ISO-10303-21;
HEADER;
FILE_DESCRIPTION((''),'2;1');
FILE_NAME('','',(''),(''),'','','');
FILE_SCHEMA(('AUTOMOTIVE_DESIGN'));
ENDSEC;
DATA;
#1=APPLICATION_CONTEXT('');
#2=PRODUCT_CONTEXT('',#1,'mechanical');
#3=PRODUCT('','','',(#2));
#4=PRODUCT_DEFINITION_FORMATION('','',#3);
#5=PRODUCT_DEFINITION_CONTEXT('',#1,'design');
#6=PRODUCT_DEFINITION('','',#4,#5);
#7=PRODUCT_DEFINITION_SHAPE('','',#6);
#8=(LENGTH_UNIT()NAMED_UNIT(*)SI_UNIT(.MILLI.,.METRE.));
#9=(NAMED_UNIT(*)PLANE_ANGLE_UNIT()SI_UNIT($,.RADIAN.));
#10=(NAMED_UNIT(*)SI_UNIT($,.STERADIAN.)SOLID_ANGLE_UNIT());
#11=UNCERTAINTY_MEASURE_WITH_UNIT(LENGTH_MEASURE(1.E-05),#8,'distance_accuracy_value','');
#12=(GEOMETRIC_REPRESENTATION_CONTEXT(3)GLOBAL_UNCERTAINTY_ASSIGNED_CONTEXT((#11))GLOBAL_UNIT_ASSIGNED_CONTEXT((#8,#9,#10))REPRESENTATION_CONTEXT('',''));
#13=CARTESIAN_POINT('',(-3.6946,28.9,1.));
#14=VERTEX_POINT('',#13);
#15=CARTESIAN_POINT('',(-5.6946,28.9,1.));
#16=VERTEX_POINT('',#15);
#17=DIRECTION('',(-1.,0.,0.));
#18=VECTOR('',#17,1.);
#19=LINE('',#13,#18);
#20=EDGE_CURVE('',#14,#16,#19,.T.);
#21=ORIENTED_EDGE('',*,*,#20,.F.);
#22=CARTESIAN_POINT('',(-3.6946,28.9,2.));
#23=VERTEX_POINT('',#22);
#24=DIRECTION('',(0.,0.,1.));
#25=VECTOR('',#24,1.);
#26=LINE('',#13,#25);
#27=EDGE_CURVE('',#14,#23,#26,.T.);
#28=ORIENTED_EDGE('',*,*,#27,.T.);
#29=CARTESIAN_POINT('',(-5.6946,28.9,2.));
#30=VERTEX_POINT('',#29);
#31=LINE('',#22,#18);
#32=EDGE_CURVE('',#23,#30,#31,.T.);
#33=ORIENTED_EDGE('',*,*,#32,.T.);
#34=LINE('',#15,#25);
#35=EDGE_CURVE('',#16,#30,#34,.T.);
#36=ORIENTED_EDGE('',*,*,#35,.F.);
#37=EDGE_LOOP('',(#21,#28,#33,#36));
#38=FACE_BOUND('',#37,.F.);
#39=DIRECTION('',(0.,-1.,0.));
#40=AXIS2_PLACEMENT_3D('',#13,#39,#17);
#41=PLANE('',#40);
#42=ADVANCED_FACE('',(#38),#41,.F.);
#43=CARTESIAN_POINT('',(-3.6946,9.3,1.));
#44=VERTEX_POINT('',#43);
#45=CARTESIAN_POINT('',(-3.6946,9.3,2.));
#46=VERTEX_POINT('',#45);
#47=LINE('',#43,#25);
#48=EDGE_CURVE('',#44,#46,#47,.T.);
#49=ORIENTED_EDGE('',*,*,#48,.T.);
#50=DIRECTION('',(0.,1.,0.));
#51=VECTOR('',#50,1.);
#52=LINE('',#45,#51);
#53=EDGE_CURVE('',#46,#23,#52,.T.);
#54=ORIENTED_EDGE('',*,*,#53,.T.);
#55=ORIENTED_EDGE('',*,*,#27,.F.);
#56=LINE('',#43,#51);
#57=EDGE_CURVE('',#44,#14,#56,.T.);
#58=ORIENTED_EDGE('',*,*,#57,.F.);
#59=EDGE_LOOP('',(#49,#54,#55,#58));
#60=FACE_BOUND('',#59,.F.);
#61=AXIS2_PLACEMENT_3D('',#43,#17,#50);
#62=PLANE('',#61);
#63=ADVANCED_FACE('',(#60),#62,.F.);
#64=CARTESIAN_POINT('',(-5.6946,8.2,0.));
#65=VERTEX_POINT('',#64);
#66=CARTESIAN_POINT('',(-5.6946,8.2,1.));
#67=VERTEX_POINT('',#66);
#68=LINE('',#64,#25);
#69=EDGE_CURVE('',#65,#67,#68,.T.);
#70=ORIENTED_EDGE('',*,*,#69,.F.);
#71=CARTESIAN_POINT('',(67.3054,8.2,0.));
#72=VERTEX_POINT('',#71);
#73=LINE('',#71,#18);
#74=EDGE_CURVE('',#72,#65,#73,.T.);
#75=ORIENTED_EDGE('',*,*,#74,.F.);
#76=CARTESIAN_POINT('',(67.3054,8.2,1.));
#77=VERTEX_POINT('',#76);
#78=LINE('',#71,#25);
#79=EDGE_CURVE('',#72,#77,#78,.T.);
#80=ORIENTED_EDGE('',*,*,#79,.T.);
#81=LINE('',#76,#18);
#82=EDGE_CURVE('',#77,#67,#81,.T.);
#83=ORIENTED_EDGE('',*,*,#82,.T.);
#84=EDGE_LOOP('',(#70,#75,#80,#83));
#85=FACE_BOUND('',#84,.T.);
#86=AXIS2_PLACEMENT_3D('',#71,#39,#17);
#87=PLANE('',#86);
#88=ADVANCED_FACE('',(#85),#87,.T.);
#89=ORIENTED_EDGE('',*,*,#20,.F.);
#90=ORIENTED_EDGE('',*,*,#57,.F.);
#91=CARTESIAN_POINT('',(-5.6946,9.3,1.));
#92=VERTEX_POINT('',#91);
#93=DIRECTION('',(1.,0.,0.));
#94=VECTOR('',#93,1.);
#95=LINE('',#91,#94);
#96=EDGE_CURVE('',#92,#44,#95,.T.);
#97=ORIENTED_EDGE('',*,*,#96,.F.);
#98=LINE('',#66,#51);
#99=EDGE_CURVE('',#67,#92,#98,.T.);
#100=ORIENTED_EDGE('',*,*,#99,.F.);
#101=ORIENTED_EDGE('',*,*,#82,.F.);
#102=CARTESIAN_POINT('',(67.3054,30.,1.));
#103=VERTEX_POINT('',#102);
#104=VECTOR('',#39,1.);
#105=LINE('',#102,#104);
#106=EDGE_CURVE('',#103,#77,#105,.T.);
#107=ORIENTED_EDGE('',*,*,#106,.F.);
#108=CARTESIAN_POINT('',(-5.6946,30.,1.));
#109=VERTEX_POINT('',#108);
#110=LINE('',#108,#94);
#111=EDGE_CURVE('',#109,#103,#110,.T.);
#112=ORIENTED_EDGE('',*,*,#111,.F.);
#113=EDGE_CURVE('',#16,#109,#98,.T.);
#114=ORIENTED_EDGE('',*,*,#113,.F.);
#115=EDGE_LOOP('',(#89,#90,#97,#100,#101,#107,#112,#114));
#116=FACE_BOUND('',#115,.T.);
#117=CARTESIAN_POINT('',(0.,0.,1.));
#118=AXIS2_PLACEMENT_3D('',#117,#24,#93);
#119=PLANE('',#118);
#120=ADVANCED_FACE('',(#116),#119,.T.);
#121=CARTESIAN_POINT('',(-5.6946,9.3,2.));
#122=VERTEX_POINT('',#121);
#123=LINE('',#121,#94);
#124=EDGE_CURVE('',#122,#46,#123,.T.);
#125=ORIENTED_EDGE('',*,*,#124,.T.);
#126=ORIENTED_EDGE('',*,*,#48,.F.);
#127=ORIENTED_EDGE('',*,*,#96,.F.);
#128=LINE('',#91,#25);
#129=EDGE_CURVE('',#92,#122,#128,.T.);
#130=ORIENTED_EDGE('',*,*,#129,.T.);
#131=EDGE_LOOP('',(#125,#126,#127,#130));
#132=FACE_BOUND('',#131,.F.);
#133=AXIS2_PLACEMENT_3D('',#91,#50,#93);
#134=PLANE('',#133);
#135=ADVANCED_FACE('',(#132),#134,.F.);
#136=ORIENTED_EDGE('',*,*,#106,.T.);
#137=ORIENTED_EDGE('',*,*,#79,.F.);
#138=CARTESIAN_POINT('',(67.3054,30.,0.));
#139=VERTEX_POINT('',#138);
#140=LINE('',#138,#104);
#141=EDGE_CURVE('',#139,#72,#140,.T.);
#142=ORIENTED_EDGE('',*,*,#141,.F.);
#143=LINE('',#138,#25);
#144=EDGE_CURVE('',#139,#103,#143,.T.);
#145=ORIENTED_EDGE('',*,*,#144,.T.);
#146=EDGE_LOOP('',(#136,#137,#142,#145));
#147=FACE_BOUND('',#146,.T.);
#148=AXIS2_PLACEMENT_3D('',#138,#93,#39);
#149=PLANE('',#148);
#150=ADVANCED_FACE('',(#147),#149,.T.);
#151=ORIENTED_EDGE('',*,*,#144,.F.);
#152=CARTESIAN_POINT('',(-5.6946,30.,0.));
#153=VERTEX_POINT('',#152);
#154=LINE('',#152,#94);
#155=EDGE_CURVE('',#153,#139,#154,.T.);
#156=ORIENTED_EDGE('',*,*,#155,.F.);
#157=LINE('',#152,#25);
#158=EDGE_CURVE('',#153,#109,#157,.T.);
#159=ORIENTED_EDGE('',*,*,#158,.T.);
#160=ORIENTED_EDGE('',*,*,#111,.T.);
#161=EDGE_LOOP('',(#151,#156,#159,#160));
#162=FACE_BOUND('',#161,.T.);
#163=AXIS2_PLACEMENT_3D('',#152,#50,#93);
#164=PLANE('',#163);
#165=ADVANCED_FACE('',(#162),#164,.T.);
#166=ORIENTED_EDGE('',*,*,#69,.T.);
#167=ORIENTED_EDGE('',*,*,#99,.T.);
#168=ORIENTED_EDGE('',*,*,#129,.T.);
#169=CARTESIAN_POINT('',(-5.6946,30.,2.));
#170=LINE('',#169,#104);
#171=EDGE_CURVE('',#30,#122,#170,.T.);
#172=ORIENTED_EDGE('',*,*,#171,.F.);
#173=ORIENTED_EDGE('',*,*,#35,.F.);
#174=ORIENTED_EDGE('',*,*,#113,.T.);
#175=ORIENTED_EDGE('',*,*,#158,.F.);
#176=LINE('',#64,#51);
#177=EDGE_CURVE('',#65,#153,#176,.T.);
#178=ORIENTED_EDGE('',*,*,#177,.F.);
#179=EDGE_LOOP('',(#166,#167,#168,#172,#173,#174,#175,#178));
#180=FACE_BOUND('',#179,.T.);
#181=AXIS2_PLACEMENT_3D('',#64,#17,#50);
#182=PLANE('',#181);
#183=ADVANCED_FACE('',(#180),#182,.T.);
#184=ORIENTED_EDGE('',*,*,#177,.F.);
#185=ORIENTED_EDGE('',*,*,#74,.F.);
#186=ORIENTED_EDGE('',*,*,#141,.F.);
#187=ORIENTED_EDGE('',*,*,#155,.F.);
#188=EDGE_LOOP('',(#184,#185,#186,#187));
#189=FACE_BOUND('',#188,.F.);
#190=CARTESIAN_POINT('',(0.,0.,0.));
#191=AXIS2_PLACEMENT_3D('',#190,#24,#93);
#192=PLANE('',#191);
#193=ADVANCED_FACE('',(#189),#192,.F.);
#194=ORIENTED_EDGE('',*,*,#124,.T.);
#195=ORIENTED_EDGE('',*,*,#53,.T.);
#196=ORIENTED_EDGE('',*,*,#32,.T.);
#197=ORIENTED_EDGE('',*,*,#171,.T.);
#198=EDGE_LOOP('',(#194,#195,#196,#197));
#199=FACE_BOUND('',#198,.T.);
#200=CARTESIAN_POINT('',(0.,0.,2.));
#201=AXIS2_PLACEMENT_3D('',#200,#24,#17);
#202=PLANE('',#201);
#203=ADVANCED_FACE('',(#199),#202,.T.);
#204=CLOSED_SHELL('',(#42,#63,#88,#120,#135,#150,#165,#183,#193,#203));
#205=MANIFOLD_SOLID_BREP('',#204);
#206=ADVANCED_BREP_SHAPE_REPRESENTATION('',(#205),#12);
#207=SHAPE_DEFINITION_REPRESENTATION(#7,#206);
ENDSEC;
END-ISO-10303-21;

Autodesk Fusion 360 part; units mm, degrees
sketch "Esquisse1" plane through (0, 0, 0) normal (0, 0, 1) x (1, 0, 0)
  line L0 (-5.6946, 30) -> (67.3054, 30)
  line L1 (67.3054, 30) -> (67.3054, 8.2)
  line L2 (67.3054, 8.2) -> (-5.6946, 8.2)
  line L3 (-5.6946, 8.2) -> (-5.6946, 30)
  dimension "d1" = 73
  dimension "d2" = 21.8
extrude "Extrusion1" add sketch "Esquisse1" along normal blind 1
sketch "Esquisse2" plane through (0, 0, 1) normal (0, 0, 1) x (-1, 0, 0)
  line L0 (5.6946, -8.2) -> (-67.3054, -8.2)
  line L1 (-67.3054, -8.2) -> (-67.3054, -30)
  line L2 (-67.3054, -30) -> (5.6946, -30)
  line L3 (5.6946, -30) -> (5.6946, -8.2)
  line L4 (5.6946, -9.3) -> (3.6946, -9.3)
  line L5 (3.6946, -9.3) -> (3.6946, -28.9)
  line L6 (3.6946, -28.9) -> (5.6946, -28.9)
  line L7 (5.6946, -28.9) -> (5.6946, -9.3)
  line L8 (-67.3054, -19.1) -> (5.6946, -19.1) construction
  dimension "d5" = 19.6
  dimension "d8" = 2
extrude "Extrusion2" add sketch "Esquisse2" along normal blind 1 contours L3 L4 L5 L6 L7
equation "d8 = DesignConfigurationRule.64bc9023-8e4e-4cc4-8a85-19370bf7f1c2.dsgcfgrule"
